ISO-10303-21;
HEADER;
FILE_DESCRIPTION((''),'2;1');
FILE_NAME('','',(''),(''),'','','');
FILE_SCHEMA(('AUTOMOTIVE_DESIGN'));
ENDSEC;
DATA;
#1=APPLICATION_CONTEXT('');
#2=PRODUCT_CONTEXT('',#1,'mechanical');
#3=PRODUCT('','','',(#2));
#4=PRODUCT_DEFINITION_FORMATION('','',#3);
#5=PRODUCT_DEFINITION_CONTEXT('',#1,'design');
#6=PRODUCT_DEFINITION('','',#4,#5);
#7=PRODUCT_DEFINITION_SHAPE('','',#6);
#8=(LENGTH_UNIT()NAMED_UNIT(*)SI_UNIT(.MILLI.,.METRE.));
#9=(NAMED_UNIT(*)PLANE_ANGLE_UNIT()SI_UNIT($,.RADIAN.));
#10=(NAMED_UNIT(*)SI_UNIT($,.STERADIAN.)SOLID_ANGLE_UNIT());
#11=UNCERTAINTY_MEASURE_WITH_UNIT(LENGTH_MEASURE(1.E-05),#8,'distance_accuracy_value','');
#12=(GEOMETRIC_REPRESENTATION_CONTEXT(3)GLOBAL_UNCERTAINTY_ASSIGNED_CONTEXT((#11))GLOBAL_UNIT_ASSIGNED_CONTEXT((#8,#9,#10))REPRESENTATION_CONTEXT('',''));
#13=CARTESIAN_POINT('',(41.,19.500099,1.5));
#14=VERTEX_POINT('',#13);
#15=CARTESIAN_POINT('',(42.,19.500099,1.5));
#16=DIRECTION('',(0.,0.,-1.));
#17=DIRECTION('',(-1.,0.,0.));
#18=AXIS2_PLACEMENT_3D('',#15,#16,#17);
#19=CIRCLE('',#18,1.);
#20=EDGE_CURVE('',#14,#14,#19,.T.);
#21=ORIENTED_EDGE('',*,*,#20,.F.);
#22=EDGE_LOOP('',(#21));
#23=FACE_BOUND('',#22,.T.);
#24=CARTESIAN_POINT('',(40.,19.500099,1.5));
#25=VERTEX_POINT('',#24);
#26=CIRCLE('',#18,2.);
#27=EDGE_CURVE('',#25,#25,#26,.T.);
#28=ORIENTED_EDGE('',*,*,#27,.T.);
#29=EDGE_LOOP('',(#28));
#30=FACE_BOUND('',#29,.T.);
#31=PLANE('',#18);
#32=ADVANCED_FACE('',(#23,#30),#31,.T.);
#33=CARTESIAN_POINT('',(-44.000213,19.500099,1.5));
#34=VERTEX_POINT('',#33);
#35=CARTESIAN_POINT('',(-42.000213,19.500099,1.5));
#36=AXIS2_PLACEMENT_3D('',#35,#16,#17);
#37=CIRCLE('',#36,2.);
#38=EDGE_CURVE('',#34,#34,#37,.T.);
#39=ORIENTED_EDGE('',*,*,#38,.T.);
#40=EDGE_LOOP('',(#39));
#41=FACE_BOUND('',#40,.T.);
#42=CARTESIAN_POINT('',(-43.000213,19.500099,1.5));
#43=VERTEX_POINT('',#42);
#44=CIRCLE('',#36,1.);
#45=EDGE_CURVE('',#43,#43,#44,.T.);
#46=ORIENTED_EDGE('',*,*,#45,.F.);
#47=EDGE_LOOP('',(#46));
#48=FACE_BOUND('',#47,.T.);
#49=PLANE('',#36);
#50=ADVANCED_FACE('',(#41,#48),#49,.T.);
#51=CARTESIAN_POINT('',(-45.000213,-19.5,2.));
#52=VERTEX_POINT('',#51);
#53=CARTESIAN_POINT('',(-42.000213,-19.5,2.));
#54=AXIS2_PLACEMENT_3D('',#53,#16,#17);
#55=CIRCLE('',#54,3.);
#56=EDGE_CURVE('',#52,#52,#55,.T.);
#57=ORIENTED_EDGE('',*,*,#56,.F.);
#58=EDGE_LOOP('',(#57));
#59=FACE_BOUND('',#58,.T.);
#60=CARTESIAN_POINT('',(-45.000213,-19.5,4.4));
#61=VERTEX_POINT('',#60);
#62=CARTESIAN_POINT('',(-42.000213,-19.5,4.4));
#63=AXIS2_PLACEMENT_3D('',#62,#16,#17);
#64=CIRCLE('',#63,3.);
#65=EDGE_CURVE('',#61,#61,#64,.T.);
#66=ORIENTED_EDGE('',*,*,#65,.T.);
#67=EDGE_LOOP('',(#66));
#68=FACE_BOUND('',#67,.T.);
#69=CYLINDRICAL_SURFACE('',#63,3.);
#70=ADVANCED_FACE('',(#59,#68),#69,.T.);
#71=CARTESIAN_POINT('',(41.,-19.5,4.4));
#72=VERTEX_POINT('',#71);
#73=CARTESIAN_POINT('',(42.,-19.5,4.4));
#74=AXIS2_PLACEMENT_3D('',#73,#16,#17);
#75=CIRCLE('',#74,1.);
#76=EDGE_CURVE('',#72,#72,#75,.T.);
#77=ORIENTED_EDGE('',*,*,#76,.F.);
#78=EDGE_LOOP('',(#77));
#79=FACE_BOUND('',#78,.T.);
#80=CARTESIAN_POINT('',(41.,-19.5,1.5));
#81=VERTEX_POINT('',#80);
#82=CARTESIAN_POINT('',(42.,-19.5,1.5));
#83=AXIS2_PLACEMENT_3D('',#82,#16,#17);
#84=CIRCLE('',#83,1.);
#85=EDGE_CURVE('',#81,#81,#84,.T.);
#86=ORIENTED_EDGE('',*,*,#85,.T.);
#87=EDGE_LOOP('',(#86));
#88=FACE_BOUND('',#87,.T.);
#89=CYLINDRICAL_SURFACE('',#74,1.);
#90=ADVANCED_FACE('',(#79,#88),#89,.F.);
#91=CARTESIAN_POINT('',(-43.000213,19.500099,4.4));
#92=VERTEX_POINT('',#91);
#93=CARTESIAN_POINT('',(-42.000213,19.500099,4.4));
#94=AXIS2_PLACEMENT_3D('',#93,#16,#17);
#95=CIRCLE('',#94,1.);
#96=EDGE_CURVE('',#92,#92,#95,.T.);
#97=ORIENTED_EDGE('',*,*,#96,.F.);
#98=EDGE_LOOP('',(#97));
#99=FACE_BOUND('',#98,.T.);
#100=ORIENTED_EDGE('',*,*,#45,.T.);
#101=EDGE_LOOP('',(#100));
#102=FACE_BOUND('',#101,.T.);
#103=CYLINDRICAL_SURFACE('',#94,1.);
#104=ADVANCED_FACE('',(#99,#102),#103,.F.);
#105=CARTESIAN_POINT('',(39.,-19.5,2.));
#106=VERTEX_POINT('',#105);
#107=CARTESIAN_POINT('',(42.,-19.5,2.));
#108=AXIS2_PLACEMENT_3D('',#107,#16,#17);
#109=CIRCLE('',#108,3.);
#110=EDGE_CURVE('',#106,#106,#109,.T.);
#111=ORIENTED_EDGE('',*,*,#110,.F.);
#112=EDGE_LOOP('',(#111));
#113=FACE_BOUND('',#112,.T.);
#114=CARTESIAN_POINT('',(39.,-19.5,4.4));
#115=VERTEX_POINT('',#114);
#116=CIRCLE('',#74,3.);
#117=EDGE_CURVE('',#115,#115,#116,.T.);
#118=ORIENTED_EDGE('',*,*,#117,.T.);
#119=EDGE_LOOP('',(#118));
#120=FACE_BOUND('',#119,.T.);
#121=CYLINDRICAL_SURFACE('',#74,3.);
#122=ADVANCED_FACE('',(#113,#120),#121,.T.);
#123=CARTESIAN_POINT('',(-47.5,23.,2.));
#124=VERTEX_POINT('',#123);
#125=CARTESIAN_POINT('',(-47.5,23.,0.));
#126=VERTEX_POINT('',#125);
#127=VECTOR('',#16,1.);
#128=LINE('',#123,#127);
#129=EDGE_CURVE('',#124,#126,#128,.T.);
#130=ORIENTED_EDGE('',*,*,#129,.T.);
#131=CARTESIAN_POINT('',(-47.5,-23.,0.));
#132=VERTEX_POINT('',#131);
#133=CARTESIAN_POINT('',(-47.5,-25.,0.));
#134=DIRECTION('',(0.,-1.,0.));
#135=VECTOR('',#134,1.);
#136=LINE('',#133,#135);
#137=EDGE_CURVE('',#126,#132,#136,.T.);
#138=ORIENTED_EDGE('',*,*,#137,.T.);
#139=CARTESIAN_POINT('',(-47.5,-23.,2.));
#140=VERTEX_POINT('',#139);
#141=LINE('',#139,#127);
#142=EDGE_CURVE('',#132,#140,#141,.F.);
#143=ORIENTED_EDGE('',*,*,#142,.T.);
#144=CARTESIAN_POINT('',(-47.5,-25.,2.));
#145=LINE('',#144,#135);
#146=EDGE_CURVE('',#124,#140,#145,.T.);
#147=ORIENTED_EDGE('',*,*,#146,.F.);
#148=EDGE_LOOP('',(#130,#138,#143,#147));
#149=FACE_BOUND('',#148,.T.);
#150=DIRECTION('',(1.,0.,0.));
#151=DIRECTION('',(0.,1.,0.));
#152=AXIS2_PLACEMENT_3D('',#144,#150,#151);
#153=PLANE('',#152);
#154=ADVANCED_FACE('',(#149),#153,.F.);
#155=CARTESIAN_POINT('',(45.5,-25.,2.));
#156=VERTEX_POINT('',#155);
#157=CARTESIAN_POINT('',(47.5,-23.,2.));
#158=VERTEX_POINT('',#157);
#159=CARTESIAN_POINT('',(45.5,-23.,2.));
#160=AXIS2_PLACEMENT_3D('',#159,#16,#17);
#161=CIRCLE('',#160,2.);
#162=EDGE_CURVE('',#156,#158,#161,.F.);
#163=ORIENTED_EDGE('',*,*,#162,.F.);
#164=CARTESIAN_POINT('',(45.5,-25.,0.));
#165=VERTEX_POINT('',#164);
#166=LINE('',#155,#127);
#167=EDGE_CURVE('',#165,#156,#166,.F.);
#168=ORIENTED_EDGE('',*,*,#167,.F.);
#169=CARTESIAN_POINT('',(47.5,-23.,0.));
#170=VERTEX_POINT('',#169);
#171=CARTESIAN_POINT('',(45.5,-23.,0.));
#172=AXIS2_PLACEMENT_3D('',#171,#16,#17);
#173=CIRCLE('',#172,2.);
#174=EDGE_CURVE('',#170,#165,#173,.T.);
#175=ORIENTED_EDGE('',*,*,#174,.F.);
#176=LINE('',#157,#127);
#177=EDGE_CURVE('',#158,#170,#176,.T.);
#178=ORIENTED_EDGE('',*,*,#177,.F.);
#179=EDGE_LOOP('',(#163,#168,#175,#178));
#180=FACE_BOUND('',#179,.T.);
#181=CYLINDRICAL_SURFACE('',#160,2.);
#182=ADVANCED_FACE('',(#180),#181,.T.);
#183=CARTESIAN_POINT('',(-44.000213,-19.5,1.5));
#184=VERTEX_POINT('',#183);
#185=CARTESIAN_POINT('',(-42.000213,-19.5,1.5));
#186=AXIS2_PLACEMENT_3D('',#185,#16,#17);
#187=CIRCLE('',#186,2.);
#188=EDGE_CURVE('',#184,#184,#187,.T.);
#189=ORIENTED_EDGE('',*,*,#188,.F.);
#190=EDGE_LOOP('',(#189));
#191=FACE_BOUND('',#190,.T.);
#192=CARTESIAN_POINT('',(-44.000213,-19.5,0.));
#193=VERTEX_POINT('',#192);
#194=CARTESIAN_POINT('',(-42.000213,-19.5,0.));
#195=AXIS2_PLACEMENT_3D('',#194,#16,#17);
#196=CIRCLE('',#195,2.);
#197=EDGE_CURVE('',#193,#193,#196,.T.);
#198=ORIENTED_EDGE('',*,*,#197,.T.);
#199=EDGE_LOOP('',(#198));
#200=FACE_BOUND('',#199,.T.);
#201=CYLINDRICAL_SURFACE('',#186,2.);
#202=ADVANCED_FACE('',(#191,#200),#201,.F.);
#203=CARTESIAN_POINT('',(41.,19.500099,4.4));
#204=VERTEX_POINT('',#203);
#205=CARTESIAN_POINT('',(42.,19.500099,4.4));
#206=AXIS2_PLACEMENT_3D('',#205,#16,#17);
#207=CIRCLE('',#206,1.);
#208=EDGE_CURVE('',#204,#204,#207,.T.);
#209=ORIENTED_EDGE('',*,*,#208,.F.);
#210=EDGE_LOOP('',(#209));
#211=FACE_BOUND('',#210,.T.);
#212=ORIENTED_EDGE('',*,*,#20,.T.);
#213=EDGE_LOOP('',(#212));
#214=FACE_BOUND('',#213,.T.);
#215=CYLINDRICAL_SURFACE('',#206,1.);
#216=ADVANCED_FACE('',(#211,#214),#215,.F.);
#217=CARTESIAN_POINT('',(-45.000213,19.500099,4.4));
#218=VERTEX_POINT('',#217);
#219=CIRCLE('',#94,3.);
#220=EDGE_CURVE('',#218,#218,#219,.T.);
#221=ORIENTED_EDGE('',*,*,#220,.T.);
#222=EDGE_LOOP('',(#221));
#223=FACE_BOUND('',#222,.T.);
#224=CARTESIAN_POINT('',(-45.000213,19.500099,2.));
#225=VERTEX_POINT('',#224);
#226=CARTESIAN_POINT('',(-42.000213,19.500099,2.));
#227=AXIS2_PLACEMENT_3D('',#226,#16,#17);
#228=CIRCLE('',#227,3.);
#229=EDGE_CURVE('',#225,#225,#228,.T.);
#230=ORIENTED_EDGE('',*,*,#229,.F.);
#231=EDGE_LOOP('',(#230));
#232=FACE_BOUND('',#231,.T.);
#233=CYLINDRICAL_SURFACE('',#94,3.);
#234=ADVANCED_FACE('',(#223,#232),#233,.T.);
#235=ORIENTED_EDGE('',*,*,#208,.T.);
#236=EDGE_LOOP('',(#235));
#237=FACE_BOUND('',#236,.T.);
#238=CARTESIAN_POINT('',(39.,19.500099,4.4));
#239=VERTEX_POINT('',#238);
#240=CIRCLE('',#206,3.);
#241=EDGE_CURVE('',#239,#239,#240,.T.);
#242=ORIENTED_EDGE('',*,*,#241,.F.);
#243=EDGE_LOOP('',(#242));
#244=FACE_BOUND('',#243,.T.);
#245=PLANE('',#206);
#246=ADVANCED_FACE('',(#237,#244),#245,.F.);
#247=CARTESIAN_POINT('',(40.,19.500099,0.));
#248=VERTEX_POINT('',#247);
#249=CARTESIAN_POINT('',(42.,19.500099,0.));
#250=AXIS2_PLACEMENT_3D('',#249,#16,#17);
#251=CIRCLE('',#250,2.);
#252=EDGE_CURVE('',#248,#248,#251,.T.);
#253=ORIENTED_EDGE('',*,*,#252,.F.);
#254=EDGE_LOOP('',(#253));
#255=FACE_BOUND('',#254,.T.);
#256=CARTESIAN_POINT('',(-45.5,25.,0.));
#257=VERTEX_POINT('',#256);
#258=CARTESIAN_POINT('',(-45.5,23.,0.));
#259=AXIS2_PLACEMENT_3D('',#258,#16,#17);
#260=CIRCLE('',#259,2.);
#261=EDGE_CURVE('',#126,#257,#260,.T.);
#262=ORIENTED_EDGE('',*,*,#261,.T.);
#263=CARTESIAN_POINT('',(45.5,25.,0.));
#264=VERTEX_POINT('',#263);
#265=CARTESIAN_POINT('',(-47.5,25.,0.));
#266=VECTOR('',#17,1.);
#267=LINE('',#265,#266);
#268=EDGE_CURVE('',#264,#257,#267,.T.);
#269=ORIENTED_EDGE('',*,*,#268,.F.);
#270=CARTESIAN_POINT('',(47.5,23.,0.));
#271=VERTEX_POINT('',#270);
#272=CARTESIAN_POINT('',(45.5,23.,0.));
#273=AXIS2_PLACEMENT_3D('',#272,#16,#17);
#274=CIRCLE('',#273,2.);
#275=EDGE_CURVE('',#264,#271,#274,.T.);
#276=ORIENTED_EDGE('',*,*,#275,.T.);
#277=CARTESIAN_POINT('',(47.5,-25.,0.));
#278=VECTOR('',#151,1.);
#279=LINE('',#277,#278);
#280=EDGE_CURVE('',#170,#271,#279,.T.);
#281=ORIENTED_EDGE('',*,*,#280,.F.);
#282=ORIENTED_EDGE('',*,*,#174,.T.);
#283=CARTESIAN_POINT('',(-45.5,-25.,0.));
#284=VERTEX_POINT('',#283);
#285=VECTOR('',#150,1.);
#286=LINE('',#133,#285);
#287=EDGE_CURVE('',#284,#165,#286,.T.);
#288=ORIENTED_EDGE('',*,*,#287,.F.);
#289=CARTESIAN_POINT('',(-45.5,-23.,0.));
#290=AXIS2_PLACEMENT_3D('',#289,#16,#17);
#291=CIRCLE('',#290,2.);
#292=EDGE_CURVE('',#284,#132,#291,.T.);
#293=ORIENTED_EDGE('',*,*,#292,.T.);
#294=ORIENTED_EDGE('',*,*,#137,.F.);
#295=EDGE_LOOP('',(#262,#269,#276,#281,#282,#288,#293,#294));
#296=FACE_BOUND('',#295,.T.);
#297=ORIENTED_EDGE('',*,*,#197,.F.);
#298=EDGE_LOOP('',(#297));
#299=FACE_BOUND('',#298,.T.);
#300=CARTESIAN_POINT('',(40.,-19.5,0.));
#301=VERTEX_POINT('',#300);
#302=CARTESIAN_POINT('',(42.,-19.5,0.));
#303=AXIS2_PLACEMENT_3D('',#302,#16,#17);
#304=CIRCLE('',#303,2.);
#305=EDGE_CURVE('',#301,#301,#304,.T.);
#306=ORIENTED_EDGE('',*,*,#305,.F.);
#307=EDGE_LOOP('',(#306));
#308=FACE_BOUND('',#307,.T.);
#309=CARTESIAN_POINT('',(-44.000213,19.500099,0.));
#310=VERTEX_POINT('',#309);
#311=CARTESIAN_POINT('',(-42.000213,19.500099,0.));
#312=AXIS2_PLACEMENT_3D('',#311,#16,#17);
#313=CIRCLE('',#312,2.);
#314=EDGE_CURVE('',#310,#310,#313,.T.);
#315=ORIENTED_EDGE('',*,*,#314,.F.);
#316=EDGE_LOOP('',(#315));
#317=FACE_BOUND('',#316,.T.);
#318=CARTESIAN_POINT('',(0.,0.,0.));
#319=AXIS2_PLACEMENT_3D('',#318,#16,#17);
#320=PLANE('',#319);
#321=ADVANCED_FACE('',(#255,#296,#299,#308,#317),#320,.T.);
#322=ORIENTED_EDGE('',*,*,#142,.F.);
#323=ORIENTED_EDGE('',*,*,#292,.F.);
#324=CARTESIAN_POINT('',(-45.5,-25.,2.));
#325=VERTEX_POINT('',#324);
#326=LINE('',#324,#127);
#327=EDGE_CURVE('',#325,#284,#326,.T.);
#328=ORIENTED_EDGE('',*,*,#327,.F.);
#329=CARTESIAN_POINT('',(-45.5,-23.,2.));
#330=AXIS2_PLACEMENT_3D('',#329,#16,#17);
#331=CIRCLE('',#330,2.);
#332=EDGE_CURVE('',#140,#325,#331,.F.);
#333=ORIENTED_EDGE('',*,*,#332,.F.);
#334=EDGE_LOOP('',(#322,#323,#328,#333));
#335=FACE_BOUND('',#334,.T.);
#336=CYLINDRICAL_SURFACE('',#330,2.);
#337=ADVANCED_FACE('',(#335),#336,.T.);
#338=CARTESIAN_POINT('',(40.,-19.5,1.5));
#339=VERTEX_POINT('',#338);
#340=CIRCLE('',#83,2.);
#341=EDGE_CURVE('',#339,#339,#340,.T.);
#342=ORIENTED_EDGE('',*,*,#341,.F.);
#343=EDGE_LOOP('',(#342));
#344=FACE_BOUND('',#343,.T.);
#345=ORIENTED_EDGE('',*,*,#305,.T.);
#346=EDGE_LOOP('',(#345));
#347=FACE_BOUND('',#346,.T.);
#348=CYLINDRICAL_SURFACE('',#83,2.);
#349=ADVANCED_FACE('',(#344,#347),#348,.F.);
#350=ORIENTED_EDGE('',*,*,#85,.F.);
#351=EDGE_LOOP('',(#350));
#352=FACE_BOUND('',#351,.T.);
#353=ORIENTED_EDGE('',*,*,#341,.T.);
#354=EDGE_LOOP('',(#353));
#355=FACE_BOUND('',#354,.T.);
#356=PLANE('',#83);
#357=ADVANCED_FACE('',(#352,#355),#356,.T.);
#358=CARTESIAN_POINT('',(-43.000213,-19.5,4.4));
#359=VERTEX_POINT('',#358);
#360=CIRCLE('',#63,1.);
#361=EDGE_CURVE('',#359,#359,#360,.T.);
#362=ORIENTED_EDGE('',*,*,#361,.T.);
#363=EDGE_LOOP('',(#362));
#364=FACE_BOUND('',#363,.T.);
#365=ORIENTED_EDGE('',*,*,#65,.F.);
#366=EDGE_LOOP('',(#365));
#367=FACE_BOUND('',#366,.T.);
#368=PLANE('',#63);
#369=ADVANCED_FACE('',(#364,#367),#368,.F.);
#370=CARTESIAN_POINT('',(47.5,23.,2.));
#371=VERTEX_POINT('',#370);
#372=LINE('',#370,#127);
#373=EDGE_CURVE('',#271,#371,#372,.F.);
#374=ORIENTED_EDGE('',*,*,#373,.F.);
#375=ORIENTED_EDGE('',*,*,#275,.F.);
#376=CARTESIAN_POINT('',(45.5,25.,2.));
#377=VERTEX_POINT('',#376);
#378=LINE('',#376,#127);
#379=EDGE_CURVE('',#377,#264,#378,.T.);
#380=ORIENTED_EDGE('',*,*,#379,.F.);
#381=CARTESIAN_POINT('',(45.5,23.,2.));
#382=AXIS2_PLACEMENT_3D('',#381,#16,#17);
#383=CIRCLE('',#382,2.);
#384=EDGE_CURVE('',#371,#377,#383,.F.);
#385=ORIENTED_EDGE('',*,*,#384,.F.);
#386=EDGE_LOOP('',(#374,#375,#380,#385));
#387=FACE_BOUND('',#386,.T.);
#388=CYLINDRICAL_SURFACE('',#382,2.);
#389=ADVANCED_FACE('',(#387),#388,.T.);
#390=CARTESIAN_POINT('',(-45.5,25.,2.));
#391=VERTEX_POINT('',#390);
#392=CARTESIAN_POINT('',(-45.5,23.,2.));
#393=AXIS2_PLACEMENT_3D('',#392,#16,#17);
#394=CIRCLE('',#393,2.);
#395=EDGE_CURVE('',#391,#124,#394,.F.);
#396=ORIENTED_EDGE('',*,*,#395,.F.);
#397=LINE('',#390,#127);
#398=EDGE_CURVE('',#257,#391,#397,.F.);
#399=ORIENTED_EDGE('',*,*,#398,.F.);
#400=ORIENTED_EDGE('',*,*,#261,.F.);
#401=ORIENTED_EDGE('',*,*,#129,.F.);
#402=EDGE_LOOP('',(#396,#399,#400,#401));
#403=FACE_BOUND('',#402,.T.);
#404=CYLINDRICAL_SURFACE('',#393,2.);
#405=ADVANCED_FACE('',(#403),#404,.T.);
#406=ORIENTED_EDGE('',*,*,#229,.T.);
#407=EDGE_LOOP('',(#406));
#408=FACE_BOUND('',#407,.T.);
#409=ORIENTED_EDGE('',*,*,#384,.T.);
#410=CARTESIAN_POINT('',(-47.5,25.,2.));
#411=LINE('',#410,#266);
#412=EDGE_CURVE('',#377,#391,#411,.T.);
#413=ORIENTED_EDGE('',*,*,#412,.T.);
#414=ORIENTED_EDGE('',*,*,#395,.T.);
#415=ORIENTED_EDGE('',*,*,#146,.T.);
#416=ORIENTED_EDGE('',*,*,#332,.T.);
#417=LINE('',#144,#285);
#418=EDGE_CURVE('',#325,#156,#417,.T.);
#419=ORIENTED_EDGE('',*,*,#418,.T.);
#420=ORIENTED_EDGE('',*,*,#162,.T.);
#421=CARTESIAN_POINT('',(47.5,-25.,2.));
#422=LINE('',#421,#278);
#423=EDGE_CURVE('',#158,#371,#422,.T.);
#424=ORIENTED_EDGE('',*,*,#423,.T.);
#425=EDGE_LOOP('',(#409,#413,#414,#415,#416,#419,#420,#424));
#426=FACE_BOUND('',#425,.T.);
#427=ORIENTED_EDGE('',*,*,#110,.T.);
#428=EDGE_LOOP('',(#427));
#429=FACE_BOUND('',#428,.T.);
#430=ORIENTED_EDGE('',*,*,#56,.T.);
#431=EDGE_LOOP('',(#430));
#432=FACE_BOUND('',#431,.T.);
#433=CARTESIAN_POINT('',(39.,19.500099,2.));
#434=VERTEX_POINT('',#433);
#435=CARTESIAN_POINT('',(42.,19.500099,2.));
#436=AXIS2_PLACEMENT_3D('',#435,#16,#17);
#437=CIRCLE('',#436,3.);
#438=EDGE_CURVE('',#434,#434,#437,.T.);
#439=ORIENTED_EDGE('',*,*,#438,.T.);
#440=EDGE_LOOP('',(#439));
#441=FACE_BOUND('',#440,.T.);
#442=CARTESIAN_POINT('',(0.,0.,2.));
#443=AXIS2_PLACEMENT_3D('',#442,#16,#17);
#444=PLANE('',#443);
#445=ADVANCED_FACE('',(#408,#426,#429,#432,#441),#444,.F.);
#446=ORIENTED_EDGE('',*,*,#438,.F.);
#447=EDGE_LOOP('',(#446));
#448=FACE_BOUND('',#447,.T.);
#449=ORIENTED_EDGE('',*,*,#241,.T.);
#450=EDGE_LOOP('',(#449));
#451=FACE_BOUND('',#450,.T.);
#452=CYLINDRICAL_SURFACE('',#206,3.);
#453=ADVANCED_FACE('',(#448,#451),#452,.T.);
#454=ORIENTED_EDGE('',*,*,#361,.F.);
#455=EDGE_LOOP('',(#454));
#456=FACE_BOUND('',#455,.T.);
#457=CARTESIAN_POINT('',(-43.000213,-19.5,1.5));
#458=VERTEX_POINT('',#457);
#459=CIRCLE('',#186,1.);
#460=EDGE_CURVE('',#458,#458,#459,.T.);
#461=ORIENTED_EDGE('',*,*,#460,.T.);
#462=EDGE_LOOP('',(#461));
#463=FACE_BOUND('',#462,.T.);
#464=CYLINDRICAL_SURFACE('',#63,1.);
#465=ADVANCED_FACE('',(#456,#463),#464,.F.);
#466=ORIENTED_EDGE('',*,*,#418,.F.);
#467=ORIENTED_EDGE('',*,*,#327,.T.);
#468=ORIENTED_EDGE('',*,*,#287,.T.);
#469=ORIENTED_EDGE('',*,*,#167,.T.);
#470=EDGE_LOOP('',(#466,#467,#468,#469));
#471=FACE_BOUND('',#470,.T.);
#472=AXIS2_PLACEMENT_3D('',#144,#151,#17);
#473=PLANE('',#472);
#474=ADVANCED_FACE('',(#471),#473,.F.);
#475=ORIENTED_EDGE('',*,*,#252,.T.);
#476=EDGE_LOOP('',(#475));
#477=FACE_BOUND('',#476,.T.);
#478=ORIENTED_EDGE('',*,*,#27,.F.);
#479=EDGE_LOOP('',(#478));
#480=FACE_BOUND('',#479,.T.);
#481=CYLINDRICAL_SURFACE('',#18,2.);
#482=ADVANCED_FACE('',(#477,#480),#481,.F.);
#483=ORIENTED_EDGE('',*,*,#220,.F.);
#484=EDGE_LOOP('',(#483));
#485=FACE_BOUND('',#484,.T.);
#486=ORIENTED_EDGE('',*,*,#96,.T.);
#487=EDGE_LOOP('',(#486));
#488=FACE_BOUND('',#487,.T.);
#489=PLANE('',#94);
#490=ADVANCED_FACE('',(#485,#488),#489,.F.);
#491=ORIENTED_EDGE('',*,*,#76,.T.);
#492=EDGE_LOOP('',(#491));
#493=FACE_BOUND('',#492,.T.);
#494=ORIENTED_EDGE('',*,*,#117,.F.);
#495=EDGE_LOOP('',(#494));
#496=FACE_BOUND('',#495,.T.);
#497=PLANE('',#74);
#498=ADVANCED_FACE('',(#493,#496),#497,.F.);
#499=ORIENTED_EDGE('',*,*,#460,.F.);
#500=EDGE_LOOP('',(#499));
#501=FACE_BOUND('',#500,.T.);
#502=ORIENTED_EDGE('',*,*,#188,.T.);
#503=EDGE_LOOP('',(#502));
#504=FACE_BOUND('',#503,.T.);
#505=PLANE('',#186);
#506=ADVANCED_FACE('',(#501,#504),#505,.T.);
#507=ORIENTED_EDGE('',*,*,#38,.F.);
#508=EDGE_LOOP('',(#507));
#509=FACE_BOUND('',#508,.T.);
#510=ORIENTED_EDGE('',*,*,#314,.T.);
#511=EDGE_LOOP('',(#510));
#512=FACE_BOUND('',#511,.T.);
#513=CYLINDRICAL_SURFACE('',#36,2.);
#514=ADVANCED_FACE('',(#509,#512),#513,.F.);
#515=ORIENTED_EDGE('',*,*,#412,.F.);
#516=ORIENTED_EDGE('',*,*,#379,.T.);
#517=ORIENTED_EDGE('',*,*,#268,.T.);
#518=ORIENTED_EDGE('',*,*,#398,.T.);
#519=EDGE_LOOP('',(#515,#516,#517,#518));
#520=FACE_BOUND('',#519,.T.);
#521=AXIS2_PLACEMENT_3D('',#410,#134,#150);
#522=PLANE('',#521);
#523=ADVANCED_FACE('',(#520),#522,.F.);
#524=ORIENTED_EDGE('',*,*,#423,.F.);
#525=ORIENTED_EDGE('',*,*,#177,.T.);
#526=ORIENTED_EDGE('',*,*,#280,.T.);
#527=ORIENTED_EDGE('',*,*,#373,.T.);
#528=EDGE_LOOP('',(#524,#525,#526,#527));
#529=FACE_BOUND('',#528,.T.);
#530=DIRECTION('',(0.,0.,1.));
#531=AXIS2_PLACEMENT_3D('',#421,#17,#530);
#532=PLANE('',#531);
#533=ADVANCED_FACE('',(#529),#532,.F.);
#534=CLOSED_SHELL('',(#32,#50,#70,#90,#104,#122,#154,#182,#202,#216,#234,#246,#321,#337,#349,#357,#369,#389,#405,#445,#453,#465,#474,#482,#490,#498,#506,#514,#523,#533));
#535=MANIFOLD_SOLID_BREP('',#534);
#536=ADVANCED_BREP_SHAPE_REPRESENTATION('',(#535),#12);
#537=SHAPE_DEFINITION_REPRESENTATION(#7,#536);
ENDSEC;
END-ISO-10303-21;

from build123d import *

# Parameters (mm, degrees)
SKETCH_1_W          = 95
SKETCH_1_H          = 50
EXTRUDE_1_DEPTH     = 2
EXTRUDE_START       = -2
SKETCH_3_R          = 3
EXTRUDE_3_DEPTH     = 2.4
SKETCH_4_R          = 2
CUT_EXTRUDE_1_DEPTH = 1.5
SKETCH_5_R          = 1
CUT_EXTRUDE_2_DEPTH = 54.857311481
FILLET_2_R          = 2


with BuildPart() as part:
    # 草图1 → 凸台-拉伸1 (new body)
    with BuildSketch(Plane.XY):
        Rectangle(SKETCH_1_W, SKETCH_1_H)
    extrude(amount=EXTRUDE_1_DEPTH)

    # 草图3 → 凸台-拉伸3 (add)
    with BuildSketch(Plane(origin=(0, 0, 0), x_dir=(-1, 0, 0), z_dir=(0, 0, -1)).offset(EXTRUDE_START)):
        with Locations((-42, 19.50009906)):
            Circle(SKETCH_3_R)
        with Locations((42.00021336, 19.50009906)):
            Circle(SKETCH_3_R)
        with Locations((42.00021336, -19.5)):
            Circle(SKETCH_3_R)
        with Locations((-42, -19.5)):
            Circle(SKETCH_3_R)
    extrude(amount=-EXTRUDE_3_DEPTH)

    # 草图4 → 切除-拉伸1 (cut)
    with BuildSketch(Plane(origin=(0, 0, 0), x_dir=(-1, 0, 0), z_dir=(0, 0, -1))):
        with Locations((-42, 19.50009906)):
            Circle(SKETCH_4_R)
        with Locations((-42, -19.5)):
            Circle(SKETCH_4_R)
        with Locations((42.00021336, 19.50009906)):
            Circle(SKETCH_4_R)
        with Locations((42.00021336, -19.5)):
            Circle(SKETCH_4_R)
    extrude(amount=-CUT_EXTRUDE_1_DEPTH, mode=Mode.SUBTRACT)

    # 草图5 → 切除-拉伸2 (cut, through all)
    with BuildSketch(Plane(origin=(0, 0, 0), x_dir=(-1, 0, 0), z_dir=(0, 0, -1))):
        with Locations((-42, 19.50009906)):
            Circle(SKETCH_5_R)
        with Locations((42.00021336, 19.50009906)):
            Circle(SKETCH_5_R)
        with Locations((42.00021336, -19.5)):
            Circle(SKETCH_5_R)
        with Locations((-42, -19.5)):
            Circle(SKETCH_5_R)
    extrude(amount=-CUT_EXTRUDE_2_DEPTH, mode=Mode.SUBTRACT)

    # 圆角2
    fillet_2_edges = [part.edges().sort_by_distance(p)[0] for p in [
        (47.5, -25, 1),
        (-47.5, -25, 1),
        (-47.5, 25, 1),
        (47.5, 25, 1),
    ]]
    fillet(fillet_2_edges, radius=FILLET_2_R)


solid = part.part
